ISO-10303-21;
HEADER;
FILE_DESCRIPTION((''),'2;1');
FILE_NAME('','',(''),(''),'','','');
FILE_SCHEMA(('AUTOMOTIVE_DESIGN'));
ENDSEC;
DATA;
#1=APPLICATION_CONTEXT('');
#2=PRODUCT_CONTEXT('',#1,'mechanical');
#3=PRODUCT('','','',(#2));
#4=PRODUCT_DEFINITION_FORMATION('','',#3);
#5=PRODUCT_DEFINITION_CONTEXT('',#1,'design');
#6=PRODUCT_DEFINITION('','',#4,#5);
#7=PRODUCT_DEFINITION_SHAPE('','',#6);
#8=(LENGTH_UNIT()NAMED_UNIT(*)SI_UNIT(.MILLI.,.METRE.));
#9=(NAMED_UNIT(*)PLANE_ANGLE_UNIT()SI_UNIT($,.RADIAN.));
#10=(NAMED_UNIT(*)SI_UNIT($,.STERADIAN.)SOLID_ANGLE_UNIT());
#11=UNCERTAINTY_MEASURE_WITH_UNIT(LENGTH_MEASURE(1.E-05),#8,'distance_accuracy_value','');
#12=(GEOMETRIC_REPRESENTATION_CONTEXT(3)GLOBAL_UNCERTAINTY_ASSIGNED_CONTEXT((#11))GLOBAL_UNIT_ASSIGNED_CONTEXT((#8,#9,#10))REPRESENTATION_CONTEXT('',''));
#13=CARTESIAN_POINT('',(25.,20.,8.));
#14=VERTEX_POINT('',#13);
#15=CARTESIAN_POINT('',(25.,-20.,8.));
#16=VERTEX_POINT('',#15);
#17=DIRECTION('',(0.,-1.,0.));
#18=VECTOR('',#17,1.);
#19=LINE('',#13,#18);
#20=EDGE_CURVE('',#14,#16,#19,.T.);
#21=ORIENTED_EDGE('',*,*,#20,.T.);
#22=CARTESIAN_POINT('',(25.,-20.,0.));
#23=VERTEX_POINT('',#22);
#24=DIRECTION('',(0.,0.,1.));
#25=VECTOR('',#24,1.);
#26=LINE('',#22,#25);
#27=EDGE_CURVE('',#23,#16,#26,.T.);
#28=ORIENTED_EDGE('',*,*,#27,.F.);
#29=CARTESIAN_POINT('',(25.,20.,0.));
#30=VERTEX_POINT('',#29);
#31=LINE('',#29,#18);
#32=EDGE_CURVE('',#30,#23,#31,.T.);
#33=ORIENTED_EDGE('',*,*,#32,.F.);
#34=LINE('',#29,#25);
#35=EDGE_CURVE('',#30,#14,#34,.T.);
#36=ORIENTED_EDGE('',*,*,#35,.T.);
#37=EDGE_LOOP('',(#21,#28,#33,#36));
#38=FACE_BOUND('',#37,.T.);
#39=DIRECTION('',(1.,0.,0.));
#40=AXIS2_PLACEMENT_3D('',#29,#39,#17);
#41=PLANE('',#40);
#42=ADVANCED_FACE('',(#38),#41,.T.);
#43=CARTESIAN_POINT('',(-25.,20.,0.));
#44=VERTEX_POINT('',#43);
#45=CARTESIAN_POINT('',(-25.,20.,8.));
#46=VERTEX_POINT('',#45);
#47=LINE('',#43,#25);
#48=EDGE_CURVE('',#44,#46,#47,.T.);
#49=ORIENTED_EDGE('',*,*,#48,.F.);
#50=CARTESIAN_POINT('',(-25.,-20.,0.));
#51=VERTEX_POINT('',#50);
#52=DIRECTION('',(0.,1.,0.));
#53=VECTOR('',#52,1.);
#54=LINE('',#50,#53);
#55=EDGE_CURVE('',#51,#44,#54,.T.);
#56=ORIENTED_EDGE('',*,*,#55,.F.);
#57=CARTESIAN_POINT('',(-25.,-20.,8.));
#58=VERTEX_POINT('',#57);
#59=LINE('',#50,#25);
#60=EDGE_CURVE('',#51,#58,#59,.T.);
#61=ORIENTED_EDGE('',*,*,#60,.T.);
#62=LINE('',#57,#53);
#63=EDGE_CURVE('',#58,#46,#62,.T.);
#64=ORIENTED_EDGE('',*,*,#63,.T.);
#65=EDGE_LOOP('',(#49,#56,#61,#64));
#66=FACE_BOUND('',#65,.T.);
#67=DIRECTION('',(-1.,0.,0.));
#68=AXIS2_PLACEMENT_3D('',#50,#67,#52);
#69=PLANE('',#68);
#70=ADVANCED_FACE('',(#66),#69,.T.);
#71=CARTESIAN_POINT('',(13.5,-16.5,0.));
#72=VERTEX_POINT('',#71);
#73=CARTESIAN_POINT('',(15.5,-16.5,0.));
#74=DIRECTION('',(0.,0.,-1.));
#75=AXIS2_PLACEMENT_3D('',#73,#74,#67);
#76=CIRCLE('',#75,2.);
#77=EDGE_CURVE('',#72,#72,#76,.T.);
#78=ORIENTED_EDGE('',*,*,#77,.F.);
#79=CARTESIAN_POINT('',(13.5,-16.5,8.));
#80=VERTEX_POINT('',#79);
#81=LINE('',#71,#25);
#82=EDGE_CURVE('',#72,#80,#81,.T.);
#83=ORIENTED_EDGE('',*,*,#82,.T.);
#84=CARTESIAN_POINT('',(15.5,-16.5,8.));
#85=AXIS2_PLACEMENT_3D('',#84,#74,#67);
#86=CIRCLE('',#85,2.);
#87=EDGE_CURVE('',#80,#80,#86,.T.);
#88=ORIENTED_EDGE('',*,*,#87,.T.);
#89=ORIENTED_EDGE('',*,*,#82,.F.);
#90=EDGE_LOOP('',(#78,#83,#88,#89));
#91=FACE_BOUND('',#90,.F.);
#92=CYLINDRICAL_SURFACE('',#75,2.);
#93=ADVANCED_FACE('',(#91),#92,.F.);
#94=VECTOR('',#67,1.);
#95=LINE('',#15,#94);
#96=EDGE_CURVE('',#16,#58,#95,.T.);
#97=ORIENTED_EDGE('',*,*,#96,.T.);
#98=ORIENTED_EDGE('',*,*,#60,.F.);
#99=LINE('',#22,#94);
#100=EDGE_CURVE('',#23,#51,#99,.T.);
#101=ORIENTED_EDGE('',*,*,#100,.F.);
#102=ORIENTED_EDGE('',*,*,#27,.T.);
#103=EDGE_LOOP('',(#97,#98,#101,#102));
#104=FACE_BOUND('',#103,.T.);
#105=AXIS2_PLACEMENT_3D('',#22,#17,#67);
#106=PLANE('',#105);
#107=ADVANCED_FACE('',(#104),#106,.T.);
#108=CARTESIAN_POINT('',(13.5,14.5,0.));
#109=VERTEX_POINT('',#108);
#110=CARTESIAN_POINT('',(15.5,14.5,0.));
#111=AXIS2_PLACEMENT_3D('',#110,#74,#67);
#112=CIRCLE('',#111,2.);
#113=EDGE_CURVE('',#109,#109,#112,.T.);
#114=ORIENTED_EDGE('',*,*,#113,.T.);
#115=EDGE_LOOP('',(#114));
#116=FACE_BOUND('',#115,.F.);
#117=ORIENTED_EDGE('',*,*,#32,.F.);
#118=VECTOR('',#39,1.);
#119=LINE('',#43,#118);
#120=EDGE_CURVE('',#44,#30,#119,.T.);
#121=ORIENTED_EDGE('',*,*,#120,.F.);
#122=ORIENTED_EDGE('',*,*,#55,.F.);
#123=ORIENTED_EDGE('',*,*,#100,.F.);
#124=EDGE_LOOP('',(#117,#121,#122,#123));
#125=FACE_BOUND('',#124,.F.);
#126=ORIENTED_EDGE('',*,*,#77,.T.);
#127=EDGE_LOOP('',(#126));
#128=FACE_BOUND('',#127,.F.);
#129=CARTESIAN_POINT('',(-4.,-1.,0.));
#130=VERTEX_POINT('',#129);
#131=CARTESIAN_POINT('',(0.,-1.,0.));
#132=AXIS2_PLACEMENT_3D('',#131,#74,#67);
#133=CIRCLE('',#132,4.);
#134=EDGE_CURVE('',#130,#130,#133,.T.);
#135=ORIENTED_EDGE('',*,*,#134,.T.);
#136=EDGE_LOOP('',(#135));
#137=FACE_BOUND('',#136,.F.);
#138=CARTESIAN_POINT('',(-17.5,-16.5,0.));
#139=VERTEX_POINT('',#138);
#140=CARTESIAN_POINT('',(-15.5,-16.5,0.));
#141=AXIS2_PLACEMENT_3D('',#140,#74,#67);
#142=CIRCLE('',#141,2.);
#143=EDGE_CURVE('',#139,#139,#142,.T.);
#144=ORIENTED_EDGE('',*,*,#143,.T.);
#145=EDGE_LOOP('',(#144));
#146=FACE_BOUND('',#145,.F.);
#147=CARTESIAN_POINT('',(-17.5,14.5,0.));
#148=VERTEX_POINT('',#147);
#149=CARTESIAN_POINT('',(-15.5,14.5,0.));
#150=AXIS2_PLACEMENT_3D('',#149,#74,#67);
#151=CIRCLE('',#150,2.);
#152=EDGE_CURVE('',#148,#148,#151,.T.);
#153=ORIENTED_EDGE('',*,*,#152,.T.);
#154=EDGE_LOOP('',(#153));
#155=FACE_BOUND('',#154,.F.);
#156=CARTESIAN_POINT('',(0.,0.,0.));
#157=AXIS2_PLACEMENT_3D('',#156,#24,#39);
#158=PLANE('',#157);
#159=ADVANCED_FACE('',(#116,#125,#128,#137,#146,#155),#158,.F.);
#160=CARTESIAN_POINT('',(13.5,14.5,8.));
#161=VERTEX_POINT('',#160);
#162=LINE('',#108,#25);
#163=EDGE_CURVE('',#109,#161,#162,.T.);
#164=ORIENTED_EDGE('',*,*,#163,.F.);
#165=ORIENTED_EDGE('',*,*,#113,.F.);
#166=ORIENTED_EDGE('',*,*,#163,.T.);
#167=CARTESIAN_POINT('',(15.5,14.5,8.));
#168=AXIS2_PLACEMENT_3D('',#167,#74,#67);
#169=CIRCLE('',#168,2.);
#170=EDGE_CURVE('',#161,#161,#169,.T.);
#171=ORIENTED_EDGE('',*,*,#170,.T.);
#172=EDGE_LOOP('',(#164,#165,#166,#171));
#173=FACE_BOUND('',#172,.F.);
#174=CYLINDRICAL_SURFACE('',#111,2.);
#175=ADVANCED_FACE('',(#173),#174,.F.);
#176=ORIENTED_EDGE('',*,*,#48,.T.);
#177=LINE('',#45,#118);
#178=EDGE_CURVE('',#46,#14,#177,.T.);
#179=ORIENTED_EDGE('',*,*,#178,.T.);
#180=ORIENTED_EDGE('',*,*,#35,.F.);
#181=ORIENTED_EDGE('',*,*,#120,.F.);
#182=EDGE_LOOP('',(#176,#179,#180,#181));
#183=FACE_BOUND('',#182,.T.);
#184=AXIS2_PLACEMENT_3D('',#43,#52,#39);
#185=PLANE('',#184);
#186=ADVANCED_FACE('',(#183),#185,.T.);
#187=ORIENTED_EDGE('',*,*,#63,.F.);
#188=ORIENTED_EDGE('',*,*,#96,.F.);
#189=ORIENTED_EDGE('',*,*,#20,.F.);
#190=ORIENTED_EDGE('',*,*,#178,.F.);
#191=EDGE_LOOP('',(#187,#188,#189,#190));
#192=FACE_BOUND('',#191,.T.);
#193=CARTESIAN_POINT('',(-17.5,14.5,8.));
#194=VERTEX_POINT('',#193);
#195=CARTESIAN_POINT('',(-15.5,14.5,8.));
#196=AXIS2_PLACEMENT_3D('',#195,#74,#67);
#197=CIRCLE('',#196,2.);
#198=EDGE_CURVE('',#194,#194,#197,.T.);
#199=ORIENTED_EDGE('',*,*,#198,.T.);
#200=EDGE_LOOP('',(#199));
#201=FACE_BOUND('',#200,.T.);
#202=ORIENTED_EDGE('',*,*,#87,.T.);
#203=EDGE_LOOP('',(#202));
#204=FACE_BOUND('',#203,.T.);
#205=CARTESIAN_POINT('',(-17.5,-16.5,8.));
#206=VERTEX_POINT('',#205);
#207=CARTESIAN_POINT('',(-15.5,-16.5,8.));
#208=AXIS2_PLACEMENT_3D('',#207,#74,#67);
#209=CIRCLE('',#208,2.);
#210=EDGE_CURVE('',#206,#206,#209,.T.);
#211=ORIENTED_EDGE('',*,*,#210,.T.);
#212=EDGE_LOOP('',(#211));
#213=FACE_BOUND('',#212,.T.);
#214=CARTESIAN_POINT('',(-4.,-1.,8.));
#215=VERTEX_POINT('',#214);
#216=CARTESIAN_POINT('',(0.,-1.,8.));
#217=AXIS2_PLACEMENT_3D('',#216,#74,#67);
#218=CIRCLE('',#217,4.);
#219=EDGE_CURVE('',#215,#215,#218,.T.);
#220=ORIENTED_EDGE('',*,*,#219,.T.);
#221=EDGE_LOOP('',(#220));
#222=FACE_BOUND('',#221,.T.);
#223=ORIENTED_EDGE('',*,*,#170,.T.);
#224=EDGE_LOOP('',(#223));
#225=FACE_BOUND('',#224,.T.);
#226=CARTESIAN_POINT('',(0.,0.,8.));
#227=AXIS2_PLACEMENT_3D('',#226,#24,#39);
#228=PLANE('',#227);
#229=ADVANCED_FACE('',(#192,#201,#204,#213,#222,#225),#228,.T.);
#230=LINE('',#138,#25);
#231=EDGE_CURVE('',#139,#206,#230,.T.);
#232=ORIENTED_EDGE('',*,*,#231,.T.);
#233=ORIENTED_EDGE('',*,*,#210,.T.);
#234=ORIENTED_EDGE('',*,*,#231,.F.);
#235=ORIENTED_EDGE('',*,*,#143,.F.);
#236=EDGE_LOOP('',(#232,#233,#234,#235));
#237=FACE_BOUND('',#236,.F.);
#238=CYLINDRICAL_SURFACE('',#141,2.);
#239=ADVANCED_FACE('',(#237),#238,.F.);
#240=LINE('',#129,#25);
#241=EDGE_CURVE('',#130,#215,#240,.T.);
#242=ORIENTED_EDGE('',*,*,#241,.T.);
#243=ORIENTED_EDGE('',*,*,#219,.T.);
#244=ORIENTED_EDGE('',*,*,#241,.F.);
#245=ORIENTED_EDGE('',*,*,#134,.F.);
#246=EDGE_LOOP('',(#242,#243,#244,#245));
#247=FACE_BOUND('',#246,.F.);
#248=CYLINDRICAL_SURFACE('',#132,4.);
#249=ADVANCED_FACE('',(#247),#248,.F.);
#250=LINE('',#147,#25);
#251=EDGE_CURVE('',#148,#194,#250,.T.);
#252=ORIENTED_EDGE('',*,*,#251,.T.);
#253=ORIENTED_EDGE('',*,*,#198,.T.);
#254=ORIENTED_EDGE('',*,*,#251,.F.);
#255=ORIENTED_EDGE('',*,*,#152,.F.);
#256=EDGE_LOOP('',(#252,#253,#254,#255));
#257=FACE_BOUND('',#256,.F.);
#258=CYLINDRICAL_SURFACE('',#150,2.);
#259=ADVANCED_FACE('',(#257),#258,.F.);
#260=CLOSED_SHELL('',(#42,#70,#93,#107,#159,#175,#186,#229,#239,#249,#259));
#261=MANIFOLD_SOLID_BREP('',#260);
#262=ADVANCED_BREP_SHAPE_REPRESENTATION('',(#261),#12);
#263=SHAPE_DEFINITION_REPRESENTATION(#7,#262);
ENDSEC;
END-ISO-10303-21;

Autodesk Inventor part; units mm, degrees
ref_plane "YZ Plane" through (0, 0, 0) normal (1, 0, 0) x (0, 1, 0)
ref_plane "XZ Plane" through (0, 0, 0) normal (0, 1, 0) x (-1, 0, 0)
ref_plane "XY Plane" through (0, 0, 0) normal (0, 0, 1) x (1, 0, 0)
sketch "Sketch1" plane through (0, 0, 0) normal (0, 0, 1) x (1, 0, 0)
  line L0 (-25, 20) -> (25, 20)
  line L1 (25, 20) -> (25, -20)
  line L2 (25, -20) -> (-25, -20)
  line L3 (-25, -20) -> (-25, 20)
  point P0 (0, 0)
  point P1 (0, 20)
  point P2 (-25, 0)
  dimension "d0" = 50
  dimension "d1" = 40
extrude "Extrusion1" add sketch "Sketch1" along normal blind 8
sketch "Sketch5" plane through (0, 0, 0) normal (0, 0, -1) x (-1, 0, 0)
  circle A0 centre (-15.5, -16.5) radius 1 projected
  circle A1 centre (15.5, -16.5) radius 1 projected
  circle A2 centre (-15.5, 14.5) radius 1 projected
  circle A3 centre (15.5, 14.5) radius 1.25 projected
  arc A4 (-2, -2.5) -> (-2, 0.5) centre (0, -1) ccw
  line L0 (-2, -2.5) -> (-2, 0.5)
  circle A5 centre (0, -1) radius 4
  circle A6 centre (15.5, -16.5) radius 2
  circle A7 centre (-15.5, -16.5) radius 2
  circle A8 centre (15.5, 14.5) radius 2
  circle A9 centre (-15.5, 14.5) radius 2
  point P0 (0, 0)
  dimension "d29" = 8
  dimension "d32" = 4
  dimension "d33" = 4
  dimension "d34" = 4
  dimension "d35" = 4
extrude "Extrusion5" cut sketch "Sketch5" against normal through all contours A0 | A1 | A2 | A3 | L0 A4 | A5 | A6 | A7 | A8 | A9
properties part number "0005-10-020 suport motor y"
